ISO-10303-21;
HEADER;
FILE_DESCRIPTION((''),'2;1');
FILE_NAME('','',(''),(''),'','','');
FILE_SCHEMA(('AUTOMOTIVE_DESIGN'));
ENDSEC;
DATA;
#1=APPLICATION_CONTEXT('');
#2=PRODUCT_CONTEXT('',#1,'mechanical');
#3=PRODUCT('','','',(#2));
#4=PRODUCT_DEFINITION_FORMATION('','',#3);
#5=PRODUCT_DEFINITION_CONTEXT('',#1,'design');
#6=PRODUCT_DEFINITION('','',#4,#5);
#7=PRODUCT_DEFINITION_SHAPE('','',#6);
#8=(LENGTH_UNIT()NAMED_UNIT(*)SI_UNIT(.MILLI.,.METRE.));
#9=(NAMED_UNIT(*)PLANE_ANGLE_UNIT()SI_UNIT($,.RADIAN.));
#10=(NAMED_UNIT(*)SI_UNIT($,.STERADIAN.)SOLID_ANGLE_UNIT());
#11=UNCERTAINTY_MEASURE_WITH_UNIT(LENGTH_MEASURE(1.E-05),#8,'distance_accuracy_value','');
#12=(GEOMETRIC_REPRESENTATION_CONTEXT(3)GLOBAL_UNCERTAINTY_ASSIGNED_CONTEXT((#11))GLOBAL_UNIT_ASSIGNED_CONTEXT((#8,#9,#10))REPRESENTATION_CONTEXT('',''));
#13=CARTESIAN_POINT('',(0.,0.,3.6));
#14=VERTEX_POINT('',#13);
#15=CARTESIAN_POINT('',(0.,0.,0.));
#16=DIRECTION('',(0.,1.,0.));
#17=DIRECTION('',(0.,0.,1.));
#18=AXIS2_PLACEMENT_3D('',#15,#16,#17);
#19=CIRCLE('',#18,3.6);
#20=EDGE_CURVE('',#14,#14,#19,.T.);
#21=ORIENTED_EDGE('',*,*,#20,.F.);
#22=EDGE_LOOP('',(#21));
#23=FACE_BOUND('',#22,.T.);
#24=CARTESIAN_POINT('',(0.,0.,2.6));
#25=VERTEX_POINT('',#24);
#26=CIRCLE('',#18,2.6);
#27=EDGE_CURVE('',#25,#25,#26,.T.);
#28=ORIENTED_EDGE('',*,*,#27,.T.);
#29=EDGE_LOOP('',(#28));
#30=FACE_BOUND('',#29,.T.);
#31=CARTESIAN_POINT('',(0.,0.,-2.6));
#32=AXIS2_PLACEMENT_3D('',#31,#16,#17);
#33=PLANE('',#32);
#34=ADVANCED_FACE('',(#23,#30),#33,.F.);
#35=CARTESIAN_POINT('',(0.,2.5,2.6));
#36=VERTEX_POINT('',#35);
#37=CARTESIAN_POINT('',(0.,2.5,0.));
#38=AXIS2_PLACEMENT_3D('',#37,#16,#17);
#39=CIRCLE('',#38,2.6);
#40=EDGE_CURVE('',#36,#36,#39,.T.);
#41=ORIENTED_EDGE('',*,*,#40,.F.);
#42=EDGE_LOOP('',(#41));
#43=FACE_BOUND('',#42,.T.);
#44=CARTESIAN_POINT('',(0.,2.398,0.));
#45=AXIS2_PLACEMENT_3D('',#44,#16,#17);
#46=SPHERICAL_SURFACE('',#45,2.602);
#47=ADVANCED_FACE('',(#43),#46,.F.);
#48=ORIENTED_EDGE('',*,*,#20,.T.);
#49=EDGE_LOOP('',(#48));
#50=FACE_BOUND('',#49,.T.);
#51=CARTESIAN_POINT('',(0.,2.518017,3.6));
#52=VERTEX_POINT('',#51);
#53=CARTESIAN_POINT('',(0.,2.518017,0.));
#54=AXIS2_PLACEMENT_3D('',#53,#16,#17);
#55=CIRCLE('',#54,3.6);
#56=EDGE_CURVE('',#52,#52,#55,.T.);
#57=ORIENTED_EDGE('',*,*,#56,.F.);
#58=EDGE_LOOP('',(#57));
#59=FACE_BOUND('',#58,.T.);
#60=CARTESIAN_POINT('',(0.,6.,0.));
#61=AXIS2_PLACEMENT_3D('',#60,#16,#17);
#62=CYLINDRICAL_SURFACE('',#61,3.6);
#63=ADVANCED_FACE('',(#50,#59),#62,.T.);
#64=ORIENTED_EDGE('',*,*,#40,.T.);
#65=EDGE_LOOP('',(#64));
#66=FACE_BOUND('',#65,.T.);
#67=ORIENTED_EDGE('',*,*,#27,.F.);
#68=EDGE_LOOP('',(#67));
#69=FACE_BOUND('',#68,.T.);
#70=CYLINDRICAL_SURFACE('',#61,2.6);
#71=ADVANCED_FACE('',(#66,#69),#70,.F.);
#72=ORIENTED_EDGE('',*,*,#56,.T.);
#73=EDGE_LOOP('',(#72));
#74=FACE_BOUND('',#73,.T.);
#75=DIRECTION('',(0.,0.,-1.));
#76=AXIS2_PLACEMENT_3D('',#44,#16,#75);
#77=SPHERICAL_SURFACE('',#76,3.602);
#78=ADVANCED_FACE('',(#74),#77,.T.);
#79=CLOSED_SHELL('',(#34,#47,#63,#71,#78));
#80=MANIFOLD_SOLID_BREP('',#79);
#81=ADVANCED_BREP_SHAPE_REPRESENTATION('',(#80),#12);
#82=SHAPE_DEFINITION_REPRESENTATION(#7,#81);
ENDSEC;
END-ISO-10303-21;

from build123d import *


with BuildPart() as part:
    # Sketch1 → Revolve3 (revolve)
    with BuildSketch(Plane(origin=(0, 0, 0), x_dir=(0, 0, -1), z_dir=(1, 0, 0)), mode=Mode.PRIVATE) as revolve3_sk:
        with BuildLine():
            Line((2.6, 0), (2.6, 2.5))
            ThreePointArc((2.6, 2.5), (1.80346888, 4.273607635), (0, 5))
            Line((0, 5), (0, 6))
            ThreePointArc((0, 6), (2.504206858, 4.987083238), (3.6, 2.518016666))
            Line((3.6, 2.518016666), (3.6, 0))
            Line((3.6, 0), (2.6, 0))
        make_face()
    revolve(revolve3_sk.sketch.rotate(Axis((0, 6, 0), (0, -1, 0)), 180), axis=Axis((0, 6, 0), (0, -1, 0)))


solid = part.part
